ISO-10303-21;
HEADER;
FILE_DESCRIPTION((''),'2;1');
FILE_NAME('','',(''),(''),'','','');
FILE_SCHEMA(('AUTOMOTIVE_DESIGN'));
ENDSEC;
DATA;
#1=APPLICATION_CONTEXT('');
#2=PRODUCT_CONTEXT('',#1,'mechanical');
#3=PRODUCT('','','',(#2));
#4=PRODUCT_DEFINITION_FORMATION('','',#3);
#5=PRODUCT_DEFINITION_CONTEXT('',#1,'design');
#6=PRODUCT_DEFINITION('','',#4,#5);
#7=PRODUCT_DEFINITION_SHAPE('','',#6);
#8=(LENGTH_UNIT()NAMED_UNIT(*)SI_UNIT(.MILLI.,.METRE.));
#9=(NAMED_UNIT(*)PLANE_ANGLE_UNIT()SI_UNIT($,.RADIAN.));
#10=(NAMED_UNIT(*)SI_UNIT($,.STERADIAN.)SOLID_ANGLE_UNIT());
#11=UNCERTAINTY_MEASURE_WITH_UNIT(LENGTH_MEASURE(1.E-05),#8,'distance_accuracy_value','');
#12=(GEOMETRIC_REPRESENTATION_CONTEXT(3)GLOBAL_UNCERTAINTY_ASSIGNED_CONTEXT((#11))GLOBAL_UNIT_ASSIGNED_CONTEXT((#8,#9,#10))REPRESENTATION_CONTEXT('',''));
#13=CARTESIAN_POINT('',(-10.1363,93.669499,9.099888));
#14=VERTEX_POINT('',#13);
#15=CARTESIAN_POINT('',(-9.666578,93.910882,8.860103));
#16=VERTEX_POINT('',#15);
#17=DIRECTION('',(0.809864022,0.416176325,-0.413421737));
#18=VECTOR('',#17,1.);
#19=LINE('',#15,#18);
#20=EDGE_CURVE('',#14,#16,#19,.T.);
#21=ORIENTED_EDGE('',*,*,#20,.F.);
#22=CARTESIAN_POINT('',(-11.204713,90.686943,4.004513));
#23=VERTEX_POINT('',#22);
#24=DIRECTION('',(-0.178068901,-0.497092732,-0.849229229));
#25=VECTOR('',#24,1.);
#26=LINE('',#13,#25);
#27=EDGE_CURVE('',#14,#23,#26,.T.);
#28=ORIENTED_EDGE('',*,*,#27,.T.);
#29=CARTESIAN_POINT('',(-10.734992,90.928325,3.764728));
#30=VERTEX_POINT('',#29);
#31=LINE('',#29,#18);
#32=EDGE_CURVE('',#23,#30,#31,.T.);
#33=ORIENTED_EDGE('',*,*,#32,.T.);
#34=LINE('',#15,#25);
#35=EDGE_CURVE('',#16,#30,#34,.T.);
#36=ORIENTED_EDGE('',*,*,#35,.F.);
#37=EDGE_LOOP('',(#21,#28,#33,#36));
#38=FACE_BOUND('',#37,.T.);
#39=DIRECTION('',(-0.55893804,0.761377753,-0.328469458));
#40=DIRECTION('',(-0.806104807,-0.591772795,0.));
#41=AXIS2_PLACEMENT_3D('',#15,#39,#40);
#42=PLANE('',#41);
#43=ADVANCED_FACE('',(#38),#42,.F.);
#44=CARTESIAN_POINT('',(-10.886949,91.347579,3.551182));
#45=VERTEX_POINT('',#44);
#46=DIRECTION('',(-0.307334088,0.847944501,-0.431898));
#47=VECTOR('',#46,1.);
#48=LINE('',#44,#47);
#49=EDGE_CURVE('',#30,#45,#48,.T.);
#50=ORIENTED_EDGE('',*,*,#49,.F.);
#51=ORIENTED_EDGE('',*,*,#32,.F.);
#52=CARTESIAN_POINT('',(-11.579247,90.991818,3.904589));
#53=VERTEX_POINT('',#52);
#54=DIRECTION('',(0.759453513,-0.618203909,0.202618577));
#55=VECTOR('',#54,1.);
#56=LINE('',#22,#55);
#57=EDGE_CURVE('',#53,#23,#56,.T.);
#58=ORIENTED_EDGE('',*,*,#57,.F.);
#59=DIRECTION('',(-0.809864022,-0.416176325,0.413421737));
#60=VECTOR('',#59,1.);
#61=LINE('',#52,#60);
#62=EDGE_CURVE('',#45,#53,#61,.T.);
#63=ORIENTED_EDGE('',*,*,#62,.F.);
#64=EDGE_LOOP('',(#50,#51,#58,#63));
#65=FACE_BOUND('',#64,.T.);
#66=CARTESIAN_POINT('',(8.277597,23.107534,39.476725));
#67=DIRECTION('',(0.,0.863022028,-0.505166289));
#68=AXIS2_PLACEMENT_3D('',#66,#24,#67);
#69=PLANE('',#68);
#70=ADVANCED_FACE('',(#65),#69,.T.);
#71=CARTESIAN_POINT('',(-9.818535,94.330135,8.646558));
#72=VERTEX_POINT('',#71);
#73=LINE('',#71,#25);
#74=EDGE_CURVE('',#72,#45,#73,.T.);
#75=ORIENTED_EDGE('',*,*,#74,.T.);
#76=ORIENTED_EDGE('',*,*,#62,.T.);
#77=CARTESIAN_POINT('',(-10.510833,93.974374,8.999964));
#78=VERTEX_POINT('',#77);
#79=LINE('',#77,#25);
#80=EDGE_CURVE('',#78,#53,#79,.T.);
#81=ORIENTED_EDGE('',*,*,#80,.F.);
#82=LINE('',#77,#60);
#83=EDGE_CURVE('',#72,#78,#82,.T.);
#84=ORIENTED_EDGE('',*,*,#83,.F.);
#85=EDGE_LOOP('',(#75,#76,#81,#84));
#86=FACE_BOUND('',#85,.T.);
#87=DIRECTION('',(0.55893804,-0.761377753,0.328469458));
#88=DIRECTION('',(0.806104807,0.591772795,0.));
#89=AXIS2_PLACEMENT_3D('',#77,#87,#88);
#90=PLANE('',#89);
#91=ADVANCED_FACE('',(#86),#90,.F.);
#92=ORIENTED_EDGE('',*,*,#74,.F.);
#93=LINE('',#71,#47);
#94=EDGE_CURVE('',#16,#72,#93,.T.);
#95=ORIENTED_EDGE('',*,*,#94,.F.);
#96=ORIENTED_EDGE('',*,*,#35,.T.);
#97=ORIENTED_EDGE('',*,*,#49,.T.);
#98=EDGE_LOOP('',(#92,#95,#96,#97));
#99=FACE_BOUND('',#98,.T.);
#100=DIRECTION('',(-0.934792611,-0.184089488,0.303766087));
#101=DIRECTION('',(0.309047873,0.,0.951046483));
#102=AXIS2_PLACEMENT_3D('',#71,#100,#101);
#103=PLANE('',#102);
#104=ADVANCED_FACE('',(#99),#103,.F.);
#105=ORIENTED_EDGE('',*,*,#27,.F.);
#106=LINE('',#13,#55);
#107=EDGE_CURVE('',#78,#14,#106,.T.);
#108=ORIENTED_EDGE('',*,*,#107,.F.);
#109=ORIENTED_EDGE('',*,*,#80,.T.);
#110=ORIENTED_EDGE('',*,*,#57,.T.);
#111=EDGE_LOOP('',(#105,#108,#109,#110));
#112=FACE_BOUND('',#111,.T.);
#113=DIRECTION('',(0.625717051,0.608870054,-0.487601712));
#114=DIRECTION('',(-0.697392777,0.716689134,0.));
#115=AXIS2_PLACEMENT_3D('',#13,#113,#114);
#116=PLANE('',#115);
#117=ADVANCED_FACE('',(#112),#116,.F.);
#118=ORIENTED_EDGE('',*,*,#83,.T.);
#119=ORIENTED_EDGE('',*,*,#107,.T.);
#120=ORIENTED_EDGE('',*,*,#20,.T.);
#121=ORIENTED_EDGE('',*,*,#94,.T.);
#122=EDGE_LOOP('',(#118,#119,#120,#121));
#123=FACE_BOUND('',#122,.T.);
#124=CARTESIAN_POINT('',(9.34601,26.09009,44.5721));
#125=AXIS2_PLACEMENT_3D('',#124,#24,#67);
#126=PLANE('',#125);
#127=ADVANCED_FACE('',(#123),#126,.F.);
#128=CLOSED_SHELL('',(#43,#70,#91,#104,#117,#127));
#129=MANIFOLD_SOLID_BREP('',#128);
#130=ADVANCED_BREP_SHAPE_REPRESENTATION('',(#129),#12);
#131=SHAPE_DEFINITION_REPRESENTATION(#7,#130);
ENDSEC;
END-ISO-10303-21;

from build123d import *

# Parameters (mm, degrees)
BOSS_EXTRUDE2_DEPTH = 6


with BuildPart() as part:
    # Sketch2 → Boss-Extrude2 (new body)
    with BuildSketch(Plane(origin=(8.27759666, 23.107533757, 39.476724988), x_dir=(0.984018021, -0.089954406, -0.153677384), z_dir=(0.178068901, 0.497092732, 0.849229229))):
        Polygon((-19.321382447, 76.571333978), (-19.798732579, 76.241884663), (-20.179349115, 76.555476282), (-19.475807149, 77.041034791), align=None)
    extrude(amount=BOSS_EXTRUDE2_DEPTH)


solid = part.part
